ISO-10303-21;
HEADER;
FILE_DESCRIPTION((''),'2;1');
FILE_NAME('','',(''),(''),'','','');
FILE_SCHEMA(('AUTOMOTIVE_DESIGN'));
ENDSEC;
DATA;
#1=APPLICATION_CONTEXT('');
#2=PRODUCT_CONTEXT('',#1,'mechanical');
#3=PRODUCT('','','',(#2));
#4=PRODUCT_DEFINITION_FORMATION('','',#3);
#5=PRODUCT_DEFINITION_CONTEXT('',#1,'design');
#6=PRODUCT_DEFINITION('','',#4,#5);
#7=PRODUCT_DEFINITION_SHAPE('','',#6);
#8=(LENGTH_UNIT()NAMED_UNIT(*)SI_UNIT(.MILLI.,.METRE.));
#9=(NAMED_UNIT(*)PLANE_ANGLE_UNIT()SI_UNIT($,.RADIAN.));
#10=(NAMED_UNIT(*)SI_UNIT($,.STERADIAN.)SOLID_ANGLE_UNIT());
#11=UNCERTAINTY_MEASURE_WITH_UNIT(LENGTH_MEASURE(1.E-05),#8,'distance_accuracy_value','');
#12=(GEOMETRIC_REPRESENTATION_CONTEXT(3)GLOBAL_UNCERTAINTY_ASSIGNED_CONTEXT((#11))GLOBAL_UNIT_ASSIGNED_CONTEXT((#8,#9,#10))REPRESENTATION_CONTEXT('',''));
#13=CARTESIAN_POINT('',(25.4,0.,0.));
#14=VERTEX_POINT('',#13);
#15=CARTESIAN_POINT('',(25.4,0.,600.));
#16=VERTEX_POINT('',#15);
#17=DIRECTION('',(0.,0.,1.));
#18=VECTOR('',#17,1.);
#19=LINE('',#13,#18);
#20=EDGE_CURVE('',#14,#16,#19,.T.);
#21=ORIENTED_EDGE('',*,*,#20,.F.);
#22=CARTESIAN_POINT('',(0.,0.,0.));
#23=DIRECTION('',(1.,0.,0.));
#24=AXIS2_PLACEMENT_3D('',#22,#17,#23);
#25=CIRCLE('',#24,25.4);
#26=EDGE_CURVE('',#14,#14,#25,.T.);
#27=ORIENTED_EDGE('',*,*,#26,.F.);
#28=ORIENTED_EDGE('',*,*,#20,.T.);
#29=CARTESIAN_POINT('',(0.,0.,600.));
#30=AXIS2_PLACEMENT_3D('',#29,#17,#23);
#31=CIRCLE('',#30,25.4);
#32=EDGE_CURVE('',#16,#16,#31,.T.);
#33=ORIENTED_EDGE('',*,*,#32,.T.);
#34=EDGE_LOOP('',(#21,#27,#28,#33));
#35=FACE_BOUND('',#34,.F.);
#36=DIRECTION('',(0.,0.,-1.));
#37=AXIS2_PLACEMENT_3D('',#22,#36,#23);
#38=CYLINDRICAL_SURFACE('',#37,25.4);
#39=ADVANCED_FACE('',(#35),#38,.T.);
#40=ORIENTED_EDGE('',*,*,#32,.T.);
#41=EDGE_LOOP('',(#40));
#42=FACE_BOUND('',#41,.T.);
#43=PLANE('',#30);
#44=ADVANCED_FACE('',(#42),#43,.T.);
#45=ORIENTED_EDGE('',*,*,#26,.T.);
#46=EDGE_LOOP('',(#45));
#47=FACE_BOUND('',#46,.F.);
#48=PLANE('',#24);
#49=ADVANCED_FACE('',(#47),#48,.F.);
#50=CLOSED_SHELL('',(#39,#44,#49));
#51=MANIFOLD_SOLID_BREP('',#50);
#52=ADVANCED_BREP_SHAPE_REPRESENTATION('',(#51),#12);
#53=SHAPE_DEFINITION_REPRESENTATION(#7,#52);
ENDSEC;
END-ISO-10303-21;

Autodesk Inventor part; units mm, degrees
ref_plane "YZ Plane" through (0, 0, 0) normal (1, 0, 0) x (0, 1, 0)
ref_plane "XZ Plane" through (0, 0, 0) normal (0, 1, 0) x (-1, 0, 0)
ref_plane "XY Plane" through (0, 0, 0) normal (0, 0, 1) x (1, 0, 0)
sketch "Boceto1" plane through (0, 0, 0) normal (0, 0, 1) x (1, 0, 0)
  circle A0 centre (0, 0) radius 25.4
  dimension "d0" = 50.8
extrude "Extrusión1" add sketch "Boceto1" along normal blind 600
properties part number "tubo_2pul_2"
